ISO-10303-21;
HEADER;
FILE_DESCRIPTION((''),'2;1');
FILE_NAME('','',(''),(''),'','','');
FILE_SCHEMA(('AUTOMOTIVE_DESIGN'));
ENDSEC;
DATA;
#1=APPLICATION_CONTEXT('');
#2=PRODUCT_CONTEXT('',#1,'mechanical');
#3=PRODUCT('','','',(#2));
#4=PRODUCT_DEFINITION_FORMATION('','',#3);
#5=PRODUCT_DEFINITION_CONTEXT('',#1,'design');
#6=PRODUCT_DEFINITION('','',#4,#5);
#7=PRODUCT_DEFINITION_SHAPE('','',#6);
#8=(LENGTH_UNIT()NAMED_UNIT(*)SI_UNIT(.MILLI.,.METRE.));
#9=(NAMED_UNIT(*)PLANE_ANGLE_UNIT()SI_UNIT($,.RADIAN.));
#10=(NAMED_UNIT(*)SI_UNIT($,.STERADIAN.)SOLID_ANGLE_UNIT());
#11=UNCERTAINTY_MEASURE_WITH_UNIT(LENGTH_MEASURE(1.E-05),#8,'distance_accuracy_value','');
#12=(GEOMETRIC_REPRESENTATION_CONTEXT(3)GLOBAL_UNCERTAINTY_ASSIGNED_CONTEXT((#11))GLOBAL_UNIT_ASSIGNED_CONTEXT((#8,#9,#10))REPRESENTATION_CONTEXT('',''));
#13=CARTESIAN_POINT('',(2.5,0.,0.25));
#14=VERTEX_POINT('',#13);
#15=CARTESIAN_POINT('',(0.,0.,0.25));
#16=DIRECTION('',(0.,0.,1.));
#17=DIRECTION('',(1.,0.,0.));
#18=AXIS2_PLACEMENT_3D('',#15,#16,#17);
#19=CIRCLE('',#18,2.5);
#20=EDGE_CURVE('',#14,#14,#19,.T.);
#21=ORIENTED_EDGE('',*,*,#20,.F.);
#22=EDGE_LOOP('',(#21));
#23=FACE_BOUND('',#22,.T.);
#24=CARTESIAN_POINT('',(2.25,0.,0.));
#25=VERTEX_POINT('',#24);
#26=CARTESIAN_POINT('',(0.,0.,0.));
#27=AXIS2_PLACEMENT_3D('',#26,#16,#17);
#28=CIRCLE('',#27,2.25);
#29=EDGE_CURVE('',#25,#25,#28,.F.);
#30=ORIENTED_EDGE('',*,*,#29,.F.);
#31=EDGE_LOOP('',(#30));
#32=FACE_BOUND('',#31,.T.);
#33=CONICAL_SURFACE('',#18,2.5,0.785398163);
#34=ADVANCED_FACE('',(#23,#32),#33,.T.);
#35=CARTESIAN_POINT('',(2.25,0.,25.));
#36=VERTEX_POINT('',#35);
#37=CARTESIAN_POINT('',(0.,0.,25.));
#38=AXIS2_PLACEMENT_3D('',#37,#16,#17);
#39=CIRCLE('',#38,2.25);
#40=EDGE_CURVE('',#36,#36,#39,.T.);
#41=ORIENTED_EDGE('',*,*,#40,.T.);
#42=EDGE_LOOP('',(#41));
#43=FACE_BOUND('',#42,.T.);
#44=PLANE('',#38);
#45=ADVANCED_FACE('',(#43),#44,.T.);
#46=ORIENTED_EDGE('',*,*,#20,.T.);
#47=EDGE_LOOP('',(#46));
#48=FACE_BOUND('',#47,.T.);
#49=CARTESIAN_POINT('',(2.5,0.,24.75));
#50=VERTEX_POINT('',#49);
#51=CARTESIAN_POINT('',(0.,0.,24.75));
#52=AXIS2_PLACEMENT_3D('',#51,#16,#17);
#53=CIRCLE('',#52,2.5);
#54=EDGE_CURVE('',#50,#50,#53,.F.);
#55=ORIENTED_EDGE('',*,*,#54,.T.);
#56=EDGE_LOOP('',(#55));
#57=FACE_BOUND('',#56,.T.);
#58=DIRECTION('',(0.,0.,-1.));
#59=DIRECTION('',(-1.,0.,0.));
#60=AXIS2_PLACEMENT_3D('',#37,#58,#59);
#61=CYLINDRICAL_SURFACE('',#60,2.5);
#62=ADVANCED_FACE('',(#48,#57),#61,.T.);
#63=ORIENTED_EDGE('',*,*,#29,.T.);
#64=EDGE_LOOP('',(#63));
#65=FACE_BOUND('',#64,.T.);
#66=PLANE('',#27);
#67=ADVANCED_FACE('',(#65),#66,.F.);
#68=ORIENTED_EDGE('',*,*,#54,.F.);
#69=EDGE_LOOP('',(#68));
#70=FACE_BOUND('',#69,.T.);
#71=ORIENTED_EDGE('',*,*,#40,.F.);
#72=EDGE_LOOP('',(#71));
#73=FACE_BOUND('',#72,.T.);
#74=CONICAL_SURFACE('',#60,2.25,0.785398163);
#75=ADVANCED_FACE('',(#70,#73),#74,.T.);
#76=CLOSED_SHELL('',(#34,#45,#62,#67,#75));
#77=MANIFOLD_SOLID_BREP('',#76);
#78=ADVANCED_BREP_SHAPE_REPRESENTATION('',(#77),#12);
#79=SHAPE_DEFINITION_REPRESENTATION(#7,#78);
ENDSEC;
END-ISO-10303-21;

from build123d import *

# Parameters (mm, degrees)
ESQUISSE1_R          = 2.5
BASE_EXTRUSION_DEPTH = 25
CHANFREIN1_SIZE      = 0.25


with BuildPart() as part:
    # Esquisse1 → Base-Extrusion (new body)
    with BuildSketch(Plane.XY):
        Circle(ESQUISSE1_R)
    extrude(amount=BASE_EXTRUSION_DEPTH)

    # Chanfrein1
    chanfrein1_edges = [part.edges().sort_by_distance(p)[0] for p in [
        (-2.5, 0, 0),
        (-2.5, 0, 25),
    ]]
    chamfer(chanfrein1_edges, length=CHANFREIN1_SIZE)


solid = part.part
